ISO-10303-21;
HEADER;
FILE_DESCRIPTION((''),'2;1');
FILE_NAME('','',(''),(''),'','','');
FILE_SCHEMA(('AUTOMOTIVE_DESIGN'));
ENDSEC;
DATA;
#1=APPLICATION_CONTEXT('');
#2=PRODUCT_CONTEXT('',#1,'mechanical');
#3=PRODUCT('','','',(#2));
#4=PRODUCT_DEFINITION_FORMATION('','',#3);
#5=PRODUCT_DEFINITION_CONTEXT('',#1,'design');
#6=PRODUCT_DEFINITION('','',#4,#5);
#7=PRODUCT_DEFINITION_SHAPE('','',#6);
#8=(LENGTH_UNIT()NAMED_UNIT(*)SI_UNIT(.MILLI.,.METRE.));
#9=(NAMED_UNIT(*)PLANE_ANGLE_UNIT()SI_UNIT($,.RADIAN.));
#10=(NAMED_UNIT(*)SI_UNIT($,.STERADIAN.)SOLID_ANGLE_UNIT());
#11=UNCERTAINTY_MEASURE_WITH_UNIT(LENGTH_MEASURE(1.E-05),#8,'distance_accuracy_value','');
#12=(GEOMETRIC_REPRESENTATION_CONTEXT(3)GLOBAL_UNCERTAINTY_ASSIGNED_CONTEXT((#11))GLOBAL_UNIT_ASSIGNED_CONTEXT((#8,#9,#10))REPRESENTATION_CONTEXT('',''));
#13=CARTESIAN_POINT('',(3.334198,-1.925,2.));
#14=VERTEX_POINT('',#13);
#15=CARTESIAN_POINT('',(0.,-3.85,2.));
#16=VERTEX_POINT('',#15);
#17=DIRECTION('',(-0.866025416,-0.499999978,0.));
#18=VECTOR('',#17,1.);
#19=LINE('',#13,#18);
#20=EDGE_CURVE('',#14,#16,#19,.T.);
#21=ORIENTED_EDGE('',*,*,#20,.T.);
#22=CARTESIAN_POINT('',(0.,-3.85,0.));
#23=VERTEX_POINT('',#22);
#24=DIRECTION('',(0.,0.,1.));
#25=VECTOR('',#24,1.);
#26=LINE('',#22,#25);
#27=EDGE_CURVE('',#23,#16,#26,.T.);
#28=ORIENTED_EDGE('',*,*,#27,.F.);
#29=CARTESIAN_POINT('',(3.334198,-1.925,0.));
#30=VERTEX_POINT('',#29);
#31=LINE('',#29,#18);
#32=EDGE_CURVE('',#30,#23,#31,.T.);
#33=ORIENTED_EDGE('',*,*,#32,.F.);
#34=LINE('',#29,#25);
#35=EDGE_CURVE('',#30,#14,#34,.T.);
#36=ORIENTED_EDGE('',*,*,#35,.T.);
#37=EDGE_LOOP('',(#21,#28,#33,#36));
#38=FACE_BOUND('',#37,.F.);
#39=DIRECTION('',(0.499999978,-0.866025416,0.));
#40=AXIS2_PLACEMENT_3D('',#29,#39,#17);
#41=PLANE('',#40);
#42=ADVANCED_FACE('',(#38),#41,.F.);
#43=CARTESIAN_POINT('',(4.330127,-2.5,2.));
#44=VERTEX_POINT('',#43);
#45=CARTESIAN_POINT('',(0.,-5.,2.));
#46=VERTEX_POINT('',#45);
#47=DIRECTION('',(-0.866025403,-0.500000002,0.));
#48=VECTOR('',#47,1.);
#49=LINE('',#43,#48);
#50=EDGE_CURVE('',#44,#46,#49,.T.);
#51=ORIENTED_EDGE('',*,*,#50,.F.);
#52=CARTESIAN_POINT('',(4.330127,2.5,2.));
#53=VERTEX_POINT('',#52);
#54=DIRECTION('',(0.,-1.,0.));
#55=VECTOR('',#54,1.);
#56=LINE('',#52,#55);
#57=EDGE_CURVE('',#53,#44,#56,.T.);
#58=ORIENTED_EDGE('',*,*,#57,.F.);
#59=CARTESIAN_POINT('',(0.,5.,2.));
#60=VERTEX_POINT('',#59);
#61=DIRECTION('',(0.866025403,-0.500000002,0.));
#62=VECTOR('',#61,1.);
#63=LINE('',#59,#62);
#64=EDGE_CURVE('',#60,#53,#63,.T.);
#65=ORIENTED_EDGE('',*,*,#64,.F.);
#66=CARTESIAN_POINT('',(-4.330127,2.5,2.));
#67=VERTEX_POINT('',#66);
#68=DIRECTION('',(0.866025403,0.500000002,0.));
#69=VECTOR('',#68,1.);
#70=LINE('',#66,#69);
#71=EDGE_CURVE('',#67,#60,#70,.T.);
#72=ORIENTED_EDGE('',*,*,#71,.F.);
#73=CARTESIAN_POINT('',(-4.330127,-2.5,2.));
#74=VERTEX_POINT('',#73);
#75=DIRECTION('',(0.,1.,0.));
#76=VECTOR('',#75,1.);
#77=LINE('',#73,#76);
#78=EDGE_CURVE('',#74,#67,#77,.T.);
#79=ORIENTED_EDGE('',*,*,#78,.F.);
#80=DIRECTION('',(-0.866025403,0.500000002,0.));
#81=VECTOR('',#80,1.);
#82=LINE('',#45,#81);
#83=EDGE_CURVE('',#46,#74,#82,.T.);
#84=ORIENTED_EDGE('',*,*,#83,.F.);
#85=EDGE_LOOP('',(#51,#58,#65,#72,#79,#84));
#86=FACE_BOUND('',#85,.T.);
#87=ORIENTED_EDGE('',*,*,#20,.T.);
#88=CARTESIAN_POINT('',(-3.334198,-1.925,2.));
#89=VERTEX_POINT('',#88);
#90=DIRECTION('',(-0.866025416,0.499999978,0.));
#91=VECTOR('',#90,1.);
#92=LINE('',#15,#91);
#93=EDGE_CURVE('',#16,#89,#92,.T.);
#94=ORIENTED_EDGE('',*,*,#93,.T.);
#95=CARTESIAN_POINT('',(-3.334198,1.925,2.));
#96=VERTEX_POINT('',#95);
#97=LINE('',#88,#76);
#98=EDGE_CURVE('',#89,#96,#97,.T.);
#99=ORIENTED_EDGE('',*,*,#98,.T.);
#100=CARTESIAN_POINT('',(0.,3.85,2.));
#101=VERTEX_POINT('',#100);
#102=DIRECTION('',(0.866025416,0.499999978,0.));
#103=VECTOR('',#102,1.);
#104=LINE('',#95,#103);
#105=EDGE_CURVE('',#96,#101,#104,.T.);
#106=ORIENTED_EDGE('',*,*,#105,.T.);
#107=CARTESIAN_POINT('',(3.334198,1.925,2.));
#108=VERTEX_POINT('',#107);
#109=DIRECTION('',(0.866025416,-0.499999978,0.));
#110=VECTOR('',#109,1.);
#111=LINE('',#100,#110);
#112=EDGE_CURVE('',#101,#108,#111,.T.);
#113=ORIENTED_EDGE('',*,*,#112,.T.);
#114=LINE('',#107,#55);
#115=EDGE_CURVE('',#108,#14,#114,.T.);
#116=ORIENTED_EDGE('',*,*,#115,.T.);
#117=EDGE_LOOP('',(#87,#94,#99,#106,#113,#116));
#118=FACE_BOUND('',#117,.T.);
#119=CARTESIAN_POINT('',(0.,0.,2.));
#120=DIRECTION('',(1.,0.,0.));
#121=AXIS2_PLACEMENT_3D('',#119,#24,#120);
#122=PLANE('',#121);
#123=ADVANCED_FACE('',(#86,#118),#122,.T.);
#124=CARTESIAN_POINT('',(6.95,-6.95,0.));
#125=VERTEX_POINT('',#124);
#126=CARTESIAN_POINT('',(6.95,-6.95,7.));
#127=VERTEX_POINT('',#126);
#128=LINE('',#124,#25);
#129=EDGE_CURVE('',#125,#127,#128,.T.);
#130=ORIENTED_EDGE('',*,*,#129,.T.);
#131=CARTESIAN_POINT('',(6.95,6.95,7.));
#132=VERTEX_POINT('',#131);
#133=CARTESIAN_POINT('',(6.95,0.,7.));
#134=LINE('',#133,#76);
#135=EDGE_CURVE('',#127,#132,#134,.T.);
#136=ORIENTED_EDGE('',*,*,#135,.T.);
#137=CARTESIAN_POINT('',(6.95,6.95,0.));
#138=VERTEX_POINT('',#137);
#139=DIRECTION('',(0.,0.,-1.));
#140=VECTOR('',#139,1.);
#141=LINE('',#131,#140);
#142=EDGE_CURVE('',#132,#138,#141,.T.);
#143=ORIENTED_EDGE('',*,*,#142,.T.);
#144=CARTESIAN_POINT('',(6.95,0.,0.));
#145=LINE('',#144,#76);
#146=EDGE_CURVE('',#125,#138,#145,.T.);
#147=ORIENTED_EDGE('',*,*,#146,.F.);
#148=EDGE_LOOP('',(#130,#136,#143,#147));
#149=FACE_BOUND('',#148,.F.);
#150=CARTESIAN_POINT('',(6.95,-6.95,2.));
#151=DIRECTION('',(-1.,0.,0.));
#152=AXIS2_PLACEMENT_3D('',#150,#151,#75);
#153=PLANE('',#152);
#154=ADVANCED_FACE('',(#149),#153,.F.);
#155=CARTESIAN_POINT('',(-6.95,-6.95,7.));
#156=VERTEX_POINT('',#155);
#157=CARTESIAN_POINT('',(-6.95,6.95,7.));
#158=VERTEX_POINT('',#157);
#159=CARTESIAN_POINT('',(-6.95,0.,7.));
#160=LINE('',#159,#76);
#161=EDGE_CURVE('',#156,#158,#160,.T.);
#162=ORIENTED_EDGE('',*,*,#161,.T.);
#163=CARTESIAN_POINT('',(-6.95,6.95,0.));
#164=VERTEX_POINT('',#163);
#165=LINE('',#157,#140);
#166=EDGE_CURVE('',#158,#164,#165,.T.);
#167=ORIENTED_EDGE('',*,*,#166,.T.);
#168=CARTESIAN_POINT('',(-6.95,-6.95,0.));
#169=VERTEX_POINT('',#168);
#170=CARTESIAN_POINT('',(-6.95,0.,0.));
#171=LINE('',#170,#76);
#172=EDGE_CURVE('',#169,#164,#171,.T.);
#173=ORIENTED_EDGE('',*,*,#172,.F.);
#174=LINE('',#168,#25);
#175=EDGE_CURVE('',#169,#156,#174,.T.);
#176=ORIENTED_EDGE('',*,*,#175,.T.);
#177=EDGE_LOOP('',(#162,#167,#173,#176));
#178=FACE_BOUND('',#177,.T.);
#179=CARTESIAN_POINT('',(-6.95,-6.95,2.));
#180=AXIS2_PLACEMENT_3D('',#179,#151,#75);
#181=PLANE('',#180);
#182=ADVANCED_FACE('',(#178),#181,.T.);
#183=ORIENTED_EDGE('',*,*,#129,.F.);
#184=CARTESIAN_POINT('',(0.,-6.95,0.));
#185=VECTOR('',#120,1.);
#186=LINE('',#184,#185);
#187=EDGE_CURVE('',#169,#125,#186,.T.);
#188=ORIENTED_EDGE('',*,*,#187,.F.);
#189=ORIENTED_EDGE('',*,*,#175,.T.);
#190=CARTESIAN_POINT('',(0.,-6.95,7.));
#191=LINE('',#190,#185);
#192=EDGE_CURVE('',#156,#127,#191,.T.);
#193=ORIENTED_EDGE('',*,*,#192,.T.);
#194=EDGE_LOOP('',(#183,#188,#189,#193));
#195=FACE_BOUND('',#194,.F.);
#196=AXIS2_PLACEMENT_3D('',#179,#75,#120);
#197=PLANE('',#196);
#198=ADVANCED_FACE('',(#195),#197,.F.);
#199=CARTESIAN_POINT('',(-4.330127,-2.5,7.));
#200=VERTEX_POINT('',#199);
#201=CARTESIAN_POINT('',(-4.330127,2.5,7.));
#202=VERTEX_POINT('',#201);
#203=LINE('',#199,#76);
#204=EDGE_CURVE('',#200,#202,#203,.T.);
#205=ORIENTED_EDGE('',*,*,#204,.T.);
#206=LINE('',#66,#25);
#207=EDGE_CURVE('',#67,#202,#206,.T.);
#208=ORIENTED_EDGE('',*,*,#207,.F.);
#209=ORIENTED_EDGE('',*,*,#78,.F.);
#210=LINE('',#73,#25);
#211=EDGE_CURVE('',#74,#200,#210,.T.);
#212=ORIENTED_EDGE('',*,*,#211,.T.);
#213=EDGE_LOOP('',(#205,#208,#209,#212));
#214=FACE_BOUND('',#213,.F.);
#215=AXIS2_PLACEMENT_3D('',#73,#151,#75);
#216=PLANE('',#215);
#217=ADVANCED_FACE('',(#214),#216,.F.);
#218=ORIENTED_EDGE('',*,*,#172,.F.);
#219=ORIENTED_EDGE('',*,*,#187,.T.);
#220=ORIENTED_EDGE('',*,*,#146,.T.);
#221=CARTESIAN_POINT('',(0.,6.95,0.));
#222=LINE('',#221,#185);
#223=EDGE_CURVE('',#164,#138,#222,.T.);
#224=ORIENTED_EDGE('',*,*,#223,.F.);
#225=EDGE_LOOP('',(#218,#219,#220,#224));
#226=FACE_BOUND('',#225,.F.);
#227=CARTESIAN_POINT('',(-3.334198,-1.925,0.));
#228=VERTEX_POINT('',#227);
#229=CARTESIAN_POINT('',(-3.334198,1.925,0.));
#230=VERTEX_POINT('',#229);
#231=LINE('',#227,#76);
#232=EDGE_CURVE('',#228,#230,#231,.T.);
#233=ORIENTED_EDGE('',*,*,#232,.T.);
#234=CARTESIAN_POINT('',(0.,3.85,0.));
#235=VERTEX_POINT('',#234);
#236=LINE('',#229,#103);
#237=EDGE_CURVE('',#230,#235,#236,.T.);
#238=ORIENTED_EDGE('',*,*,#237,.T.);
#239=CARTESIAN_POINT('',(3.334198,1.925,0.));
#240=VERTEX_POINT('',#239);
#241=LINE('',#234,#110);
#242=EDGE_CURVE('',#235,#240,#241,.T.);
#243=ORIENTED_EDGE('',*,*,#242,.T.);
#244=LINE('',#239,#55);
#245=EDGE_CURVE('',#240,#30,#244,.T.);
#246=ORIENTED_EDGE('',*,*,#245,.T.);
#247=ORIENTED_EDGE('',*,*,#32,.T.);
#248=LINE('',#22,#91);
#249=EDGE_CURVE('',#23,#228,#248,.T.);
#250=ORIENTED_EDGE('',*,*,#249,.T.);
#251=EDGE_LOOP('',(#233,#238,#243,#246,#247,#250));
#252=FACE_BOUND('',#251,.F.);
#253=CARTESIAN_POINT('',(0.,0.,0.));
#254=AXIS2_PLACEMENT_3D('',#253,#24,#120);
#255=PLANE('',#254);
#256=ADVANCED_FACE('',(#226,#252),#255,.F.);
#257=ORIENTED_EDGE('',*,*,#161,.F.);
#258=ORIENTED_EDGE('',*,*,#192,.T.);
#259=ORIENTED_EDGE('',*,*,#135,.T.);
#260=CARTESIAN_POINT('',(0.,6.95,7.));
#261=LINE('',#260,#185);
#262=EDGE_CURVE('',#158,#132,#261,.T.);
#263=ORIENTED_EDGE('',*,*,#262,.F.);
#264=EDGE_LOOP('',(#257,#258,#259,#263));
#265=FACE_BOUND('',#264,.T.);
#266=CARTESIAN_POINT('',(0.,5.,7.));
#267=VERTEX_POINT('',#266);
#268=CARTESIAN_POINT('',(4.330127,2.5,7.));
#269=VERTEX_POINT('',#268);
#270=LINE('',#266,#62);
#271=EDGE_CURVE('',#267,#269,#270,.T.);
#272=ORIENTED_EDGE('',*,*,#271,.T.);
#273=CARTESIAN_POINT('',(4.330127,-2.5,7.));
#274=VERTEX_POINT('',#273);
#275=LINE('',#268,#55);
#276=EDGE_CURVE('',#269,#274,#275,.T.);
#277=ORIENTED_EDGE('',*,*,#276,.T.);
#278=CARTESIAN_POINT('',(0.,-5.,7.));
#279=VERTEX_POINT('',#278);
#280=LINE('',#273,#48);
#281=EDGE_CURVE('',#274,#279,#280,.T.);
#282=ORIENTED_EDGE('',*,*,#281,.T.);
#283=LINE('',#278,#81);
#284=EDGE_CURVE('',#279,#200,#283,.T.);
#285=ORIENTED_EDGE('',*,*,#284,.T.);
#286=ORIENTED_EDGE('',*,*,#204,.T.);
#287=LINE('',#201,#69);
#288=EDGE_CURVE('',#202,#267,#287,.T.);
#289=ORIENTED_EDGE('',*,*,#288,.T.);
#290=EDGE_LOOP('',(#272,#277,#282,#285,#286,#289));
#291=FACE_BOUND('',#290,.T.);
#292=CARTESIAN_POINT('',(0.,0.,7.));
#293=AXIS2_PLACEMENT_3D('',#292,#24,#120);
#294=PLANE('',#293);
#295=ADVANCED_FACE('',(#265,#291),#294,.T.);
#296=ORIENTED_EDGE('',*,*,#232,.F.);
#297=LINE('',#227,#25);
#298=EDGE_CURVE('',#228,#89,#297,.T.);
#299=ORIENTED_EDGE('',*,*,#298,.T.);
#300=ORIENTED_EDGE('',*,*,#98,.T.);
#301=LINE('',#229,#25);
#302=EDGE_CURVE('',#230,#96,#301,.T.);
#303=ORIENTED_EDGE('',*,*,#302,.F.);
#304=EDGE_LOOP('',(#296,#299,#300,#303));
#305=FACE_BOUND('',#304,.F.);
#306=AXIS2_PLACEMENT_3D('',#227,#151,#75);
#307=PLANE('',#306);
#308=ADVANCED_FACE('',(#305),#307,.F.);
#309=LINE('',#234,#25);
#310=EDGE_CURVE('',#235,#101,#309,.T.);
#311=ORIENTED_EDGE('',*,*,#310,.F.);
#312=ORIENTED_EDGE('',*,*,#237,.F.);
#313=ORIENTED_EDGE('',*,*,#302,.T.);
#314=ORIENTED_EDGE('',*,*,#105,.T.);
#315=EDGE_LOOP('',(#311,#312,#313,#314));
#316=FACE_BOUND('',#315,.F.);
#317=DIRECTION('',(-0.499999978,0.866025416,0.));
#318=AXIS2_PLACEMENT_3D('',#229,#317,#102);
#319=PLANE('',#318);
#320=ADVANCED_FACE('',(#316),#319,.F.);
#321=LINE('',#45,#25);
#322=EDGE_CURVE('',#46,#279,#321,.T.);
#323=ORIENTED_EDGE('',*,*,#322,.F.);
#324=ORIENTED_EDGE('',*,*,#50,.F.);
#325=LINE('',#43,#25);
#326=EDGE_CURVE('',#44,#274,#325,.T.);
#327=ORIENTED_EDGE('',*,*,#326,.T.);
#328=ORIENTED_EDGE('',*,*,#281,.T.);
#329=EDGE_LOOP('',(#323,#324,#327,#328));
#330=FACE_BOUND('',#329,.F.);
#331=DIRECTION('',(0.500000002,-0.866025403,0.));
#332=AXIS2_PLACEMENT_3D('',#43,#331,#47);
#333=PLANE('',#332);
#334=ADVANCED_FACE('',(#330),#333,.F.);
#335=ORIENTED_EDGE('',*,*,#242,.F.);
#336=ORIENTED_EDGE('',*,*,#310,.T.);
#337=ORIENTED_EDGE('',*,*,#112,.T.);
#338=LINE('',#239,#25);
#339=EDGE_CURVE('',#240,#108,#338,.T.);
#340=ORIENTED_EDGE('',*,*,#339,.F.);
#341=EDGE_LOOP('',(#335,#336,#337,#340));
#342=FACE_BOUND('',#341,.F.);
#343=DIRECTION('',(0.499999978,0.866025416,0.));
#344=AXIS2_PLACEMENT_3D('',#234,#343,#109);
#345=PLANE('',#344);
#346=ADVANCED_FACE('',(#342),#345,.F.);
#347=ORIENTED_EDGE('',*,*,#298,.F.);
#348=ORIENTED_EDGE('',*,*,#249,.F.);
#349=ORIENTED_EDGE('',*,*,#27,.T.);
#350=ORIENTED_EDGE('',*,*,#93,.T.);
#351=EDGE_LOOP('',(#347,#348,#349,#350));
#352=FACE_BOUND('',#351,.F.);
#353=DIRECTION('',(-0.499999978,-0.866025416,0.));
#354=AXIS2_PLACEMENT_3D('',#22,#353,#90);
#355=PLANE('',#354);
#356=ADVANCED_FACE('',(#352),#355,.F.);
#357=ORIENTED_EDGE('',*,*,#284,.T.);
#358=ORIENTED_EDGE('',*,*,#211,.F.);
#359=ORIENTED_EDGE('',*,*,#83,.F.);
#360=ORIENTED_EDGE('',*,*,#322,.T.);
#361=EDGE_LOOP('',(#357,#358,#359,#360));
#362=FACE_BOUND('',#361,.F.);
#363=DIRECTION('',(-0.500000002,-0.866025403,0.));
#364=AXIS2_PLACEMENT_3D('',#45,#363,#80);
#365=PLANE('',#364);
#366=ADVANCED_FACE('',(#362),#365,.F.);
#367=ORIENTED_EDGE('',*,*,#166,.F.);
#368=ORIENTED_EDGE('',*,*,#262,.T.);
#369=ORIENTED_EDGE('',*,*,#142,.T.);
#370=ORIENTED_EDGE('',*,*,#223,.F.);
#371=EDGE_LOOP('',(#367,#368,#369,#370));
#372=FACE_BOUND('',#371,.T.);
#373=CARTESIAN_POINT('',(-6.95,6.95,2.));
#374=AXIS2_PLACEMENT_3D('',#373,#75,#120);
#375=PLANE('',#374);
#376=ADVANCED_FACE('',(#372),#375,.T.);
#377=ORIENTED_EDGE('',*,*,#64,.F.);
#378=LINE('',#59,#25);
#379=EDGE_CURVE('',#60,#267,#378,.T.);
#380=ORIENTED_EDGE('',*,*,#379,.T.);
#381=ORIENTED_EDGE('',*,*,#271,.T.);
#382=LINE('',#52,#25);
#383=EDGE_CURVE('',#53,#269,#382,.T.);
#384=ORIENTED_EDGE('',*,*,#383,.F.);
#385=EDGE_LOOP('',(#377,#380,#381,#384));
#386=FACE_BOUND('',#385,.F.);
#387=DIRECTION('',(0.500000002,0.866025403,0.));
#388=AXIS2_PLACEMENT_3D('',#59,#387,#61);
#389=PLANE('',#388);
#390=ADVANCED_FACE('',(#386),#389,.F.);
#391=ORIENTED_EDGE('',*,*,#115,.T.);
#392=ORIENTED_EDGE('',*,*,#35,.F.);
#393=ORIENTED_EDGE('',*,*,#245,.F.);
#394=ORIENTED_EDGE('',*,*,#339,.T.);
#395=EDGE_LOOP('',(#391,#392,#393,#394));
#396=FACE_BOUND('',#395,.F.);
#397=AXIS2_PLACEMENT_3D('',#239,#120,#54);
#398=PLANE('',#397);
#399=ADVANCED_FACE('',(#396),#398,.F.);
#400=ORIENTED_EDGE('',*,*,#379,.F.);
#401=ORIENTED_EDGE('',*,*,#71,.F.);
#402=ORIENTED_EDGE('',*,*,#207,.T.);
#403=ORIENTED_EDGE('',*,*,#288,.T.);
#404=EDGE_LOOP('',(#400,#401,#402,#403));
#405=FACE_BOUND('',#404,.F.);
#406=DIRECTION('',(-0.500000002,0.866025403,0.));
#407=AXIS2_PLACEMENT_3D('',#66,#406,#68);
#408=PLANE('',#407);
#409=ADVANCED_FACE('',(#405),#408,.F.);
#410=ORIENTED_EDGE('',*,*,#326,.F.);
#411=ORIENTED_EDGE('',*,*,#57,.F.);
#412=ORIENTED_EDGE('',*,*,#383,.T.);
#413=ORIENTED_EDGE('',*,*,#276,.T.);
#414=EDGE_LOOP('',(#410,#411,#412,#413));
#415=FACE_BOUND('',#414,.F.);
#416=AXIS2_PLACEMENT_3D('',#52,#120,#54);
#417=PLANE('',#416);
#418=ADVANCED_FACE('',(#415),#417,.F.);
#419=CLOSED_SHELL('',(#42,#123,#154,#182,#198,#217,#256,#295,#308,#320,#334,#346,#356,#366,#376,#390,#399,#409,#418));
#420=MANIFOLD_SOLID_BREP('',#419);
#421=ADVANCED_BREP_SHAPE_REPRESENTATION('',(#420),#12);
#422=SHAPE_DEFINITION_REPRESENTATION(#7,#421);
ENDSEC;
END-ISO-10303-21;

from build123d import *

# Parameters (mm, degrees)
F0_W     = 13.9
F0_H     = 13.9
F1_DEPTH = 2
F2_W     = 13.9
F2_H     = 13.9
F3_DEPTH = 5


with BuildPart() as f1:
    # F0 (on Top) → F1 (new body)
    with BuildSketch(Plane.XY):
        Rectangle(F0_W, F0_H)
        with BuildLine():
            ThreePointArc((3.334198, 1.925), (3.718814, 0.996453), (3.85, 0))
            ThreePointArc((3.85, 0), (3.718814, -0.996453), (3.334198, -1.925))
            ThreePointArc((3.334198, -1.925), (1.925, -3.334198), (0, -3.85))
            ThreePointArc((0, -3.85), (-1.925, -3.334198), (-3.334198, -1.925))
            ThreePointArc((-3.334198, -1.925), (-3.85, 0), (-3.334198, 1.925))
            ThreePointArc((-3.334198, 1.925), (-1.925, 3.334198), (0, 3.85))
            ThreePointArc((0, 3.85), (1.925, 3.334198), (3.334198, 1.925))
        make_face(mode=Mode.SUBTRACT)
        with BuildLine():
            ThreePointArc((-3.334198, -1.925), (-1.925, -3.334198), (0, -3.85))
            Line((0, -3.85), (-3.334198, -1.925))
        make_face()
        with BuildLine():
            Line((-3.334198, -1.925), (-3.334198, 1.925))
            ThreePointArc((-3.334198, 1.925), (-3.85, 0), (-3.334198, -1.925))
        make_face()
        with BuildLine():
            Line((-3.334198, 1.925), (0, 3.85))
            ThreePointArc((0, 3.85), (-1.925, 3.334198), (-3.334198, 1.925))
        make_face()
        with BuildLine():
            Line((0, 3.85), (3.334198, 1.925))
            ThreePointArc((3.334198, 1.925), (1.925, 3.334198), (0, 3.85))
        make_face()
        with BuildLine():
            ThreePointArc((3.334198, -1.925), (3.718814, -0.996453), (3.85, 0))
            ThreePointArc((3.85, 0), (3.718814, 0.996453), (3.334198, 1.925))
            Line((3.334198, 1.925), (3.334198, -1.925))
        make_face()
        with BuildLine():
            ThreePointArc((0, -3.85), (1.925, -3.334198), (3.334198, -1.925))
            Line((3.334198, -1.925), (0, -3.85))
        make_face()
    extrude(amount=F1_DEPTH)

    # F2 (on face) → F3 (join)
    with BuildSketch(Plane.XY.offset(2)):
        Rectangle(F2_W, F2_H)
        with BuildLine():
            ThreePointArc((4.330127, 2.5), (4.829629, 1.294095), (5, 0))
            ThreePointArc((5, 0), (4.829629, -1.294095), (4.330127, -2.5))
            ThreePointArc((4.330127, -2.5), (2.5, -4.330127), (0, -5))
            ThreePointArc((0, -5), (-2.5, -4.330127), (-4.330127, -2.5))
            ThreePointArc((-4.330127, -2.5), (-5, 0), (-4.330127, 2.5))
            ThreePointArc((-4.330127, 2.5), (-2.5, 4.330127), (0, 5))
            ThreePointArc((0, 5), (2.5, 4.330127), (4.330127, 2.5))
        make_face(mode=Mode.SUBTRACT)
        with BuildLine():
            Line((-4.330127, -2.5), (-4.330127, 2.5))
            ThreePointArc((-4.330127, 2.5), (-5, 0), (-4.330127, -2.5))
        make_face()
        with BuildLine():
            Line((-4.330127, 2.5), (0, 5))
            ThreePointArc((0, 5), (-2.5, 4.330127), (-4.330127, 2.5))
        make_face()
        with BuildLine():
            Line((0, 5), (4.330127, 2.5))
            ThreePointArc((4.330127, 2.5), (2.5, 4.330127), (0, 5))
        make_face()
        with BuildLine():
            ThreePointArc((4.330127, -2.5), (4.829629, -1.294095), (5, 0))
            ThreePointArc((5, 0), (4.829629, 1.294095), (4.330127, 2.5))
            Line((4.330127, 2.5), (4.330127, -2.5))
        make_face()
        with BuildLine():
            ThreePointArc((0, -5), (2.5, -4.330127), (4.330127, -2.5))
            Line((4.330127, -2.5), (0, -5))
        make_face()
        with BuildLine():
            ThreePointArc((-4.330127, -2.5), (-2.5, -4.330127), (0, -5))
            Line((0, -5), (-4.330127, -2.5))
        make_face()
    extrude(amount=F3_DEPTH)


solid = f1.part
